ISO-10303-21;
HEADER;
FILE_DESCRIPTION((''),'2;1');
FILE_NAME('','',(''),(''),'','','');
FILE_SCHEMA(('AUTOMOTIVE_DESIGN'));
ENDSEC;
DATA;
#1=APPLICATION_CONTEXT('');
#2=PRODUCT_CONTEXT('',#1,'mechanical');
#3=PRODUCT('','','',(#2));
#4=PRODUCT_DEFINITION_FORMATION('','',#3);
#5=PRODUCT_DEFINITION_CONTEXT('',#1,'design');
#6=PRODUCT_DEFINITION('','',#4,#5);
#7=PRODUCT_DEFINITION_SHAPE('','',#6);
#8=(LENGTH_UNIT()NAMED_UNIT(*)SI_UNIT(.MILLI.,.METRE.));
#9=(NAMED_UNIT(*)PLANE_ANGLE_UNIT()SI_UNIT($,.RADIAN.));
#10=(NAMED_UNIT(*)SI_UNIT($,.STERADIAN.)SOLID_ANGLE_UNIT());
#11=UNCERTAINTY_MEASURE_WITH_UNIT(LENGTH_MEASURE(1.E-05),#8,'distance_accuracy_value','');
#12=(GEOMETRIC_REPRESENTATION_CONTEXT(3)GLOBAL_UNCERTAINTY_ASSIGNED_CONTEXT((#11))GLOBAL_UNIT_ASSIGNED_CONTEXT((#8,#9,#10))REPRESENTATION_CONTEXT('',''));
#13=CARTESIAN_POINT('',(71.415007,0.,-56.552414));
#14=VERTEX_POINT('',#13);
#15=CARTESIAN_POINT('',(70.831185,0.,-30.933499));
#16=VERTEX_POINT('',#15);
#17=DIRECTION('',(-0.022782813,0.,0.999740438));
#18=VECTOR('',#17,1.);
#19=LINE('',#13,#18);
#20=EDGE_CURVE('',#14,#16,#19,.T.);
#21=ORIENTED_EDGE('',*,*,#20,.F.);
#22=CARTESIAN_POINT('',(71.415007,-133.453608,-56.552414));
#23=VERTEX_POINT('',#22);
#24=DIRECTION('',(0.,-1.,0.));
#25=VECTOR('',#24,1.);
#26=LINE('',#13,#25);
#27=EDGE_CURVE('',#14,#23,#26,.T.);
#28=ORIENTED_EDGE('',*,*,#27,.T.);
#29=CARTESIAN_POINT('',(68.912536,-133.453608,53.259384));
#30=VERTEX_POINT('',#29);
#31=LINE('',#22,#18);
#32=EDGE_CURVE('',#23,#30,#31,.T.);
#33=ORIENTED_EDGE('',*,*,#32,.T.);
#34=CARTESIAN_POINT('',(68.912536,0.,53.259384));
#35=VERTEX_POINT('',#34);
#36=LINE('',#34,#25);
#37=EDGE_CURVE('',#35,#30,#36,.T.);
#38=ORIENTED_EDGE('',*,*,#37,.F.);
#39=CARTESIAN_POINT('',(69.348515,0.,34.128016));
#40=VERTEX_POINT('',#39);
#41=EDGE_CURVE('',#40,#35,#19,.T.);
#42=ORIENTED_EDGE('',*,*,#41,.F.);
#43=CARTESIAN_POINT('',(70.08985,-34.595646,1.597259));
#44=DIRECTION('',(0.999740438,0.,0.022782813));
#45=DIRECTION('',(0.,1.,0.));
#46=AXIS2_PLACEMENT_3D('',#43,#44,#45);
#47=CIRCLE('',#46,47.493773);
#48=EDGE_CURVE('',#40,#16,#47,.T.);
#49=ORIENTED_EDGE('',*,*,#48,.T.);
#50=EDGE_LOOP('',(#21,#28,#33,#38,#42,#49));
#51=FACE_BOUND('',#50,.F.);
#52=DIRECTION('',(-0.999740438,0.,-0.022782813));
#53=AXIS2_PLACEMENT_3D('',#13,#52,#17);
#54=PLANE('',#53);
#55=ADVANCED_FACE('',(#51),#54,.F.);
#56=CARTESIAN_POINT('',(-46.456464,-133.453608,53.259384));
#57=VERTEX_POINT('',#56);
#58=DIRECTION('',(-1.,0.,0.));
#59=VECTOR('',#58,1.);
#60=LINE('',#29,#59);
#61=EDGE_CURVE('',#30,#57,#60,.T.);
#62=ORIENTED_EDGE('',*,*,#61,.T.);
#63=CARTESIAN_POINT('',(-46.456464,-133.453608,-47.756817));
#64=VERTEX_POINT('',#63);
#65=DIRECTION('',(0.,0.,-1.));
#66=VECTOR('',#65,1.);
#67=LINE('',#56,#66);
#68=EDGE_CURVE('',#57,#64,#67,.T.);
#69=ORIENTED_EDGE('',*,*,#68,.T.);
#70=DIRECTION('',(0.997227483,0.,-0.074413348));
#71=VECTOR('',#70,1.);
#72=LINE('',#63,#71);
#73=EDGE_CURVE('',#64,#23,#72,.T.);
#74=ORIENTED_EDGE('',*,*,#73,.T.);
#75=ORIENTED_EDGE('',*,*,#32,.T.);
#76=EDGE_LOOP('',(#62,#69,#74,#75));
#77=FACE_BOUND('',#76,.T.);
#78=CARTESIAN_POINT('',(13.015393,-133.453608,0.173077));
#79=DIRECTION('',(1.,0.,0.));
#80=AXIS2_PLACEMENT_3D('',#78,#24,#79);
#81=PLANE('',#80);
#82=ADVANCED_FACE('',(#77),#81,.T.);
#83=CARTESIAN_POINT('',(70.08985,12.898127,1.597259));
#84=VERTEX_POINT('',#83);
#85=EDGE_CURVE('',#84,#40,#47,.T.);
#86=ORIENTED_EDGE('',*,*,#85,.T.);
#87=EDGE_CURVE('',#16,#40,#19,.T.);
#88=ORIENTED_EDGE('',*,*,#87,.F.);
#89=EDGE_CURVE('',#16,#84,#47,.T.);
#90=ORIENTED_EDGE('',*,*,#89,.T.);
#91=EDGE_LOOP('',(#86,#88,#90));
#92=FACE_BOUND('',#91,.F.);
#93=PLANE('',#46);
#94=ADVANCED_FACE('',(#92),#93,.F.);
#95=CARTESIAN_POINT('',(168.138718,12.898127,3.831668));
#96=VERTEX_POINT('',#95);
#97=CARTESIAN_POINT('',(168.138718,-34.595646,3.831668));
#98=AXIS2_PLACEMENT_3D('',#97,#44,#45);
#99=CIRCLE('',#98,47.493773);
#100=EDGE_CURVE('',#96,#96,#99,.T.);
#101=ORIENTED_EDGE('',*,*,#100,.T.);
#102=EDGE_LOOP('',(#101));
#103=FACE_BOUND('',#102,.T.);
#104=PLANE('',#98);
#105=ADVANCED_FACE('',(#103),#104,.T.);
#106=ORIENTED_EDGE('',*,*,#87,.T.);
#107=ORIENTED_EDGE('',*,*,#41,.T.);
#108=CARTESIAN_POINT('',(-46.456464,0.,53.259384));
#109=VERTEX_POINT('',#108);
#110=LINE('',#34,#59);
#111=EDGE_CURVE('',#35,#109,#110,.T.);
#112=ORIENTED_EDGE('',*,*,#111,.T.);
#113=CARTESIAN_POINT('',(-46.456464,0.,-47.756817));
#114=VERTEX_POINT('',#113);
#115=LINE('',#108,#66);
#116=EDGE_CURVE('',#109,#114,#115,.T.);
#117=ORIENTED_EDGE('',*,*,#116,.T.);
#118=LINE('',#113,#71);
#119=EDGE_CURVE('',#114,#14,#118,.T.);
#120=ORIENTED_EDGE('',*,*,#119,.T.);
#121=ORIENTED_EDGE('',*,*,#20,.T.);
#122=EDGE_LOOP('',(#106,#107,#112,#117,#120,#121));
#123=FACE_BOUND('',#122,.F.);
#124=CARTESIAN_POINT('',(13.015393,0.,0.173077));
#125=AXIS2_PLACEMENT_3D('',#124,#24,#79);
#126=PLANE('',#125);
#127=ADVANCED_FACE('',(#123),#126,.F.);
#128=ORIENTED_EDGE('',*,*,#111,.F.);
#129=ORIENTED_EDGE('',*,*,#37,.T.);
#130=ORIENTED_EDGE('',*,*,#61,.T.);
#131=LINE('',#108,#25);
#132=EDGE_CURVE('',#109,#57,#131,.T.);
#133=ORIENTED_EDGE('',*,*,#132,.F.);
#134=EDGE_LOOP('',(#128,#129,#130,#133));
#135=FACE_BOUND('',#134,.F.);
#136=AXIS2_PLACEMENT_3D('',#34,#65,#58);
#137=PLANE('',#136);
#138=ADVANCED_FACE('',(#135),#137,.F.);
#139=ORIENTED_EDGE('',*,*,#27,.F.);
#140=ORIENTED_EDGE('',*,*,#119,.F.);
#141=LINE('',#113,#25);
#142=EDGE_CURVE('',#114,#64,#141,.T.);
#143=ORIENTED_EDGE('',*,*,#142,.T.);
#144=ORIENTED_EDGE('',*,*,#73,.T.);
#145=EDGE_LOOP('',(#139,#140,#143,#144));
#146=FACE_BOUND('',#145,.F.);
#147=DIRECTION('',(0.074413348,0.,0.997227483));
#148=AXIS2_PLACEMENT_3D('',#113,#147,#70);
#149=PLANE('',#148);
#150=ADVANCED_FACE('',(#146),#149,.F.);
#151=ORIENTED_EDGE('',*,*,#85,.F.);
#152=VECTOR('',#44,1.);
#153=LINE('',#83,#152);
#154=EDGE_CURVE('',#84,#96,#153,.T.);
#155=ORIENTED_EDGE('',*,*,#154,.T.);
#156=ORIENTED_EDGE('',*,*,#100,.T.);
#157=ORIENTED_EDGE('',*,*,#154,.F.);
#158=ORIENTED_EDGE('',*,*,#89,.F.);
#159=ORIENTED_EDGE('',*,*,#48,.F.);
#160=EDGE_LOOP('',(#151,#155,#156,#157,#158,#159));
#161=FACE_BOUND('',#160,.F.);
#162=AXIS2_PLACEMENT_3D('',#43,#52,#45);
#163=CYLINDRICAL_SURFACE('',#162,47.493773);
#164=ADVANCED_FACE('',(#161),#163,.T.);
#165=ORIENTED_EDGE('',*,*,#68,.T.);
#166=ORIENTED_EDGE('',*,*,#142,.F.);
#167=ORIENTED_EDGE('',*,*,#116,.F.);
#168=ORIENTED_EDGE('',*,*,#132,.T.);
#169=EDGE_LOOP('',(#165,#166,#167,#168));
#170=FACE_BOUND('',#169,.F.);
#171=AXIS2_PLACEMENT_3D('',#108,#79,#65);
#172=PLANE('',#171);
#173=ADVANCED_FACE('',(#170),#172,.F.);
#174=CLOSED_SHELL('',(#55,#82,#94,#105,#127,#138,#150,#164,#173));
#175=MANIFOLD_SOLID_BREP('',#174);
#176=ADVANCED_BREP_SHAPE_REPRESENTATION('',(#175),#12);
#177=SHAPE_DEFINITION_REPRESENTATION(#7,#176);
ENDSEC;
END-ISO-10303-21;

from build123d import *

# Parameters (mm, degrees)
F1_DEPTH = 133.4536075592
F2_R     = 47.4937731555
F3_DEPTH = 98.074324429


with BuildPart() as f1:
    # F0 (on Front) → F1 (new body)
    with BuildSketch(Plane.XZ):
        Polygon((71.4150071144, -56.552413851), (68.9125359058, 53.2593838871), (-46.456463635, 53.2593838871), (-46.456463635, -47.7568171918), align=None)
    extrude(amount=F1_DEPTH)

    # F2 (on face) → F3 (join)
    with BuildSketch(Plane(origin=(70.0898500371, 0, 1.59725854), x_dir=(0, 1, 0), z_dir=(0.999740438, 0, 0.0227828131))):
        with Locations((-34.5956459641, 0)):
            Circle(F2_R)
    extrude(amount=F3_DEPTH)


solid = f1.part
